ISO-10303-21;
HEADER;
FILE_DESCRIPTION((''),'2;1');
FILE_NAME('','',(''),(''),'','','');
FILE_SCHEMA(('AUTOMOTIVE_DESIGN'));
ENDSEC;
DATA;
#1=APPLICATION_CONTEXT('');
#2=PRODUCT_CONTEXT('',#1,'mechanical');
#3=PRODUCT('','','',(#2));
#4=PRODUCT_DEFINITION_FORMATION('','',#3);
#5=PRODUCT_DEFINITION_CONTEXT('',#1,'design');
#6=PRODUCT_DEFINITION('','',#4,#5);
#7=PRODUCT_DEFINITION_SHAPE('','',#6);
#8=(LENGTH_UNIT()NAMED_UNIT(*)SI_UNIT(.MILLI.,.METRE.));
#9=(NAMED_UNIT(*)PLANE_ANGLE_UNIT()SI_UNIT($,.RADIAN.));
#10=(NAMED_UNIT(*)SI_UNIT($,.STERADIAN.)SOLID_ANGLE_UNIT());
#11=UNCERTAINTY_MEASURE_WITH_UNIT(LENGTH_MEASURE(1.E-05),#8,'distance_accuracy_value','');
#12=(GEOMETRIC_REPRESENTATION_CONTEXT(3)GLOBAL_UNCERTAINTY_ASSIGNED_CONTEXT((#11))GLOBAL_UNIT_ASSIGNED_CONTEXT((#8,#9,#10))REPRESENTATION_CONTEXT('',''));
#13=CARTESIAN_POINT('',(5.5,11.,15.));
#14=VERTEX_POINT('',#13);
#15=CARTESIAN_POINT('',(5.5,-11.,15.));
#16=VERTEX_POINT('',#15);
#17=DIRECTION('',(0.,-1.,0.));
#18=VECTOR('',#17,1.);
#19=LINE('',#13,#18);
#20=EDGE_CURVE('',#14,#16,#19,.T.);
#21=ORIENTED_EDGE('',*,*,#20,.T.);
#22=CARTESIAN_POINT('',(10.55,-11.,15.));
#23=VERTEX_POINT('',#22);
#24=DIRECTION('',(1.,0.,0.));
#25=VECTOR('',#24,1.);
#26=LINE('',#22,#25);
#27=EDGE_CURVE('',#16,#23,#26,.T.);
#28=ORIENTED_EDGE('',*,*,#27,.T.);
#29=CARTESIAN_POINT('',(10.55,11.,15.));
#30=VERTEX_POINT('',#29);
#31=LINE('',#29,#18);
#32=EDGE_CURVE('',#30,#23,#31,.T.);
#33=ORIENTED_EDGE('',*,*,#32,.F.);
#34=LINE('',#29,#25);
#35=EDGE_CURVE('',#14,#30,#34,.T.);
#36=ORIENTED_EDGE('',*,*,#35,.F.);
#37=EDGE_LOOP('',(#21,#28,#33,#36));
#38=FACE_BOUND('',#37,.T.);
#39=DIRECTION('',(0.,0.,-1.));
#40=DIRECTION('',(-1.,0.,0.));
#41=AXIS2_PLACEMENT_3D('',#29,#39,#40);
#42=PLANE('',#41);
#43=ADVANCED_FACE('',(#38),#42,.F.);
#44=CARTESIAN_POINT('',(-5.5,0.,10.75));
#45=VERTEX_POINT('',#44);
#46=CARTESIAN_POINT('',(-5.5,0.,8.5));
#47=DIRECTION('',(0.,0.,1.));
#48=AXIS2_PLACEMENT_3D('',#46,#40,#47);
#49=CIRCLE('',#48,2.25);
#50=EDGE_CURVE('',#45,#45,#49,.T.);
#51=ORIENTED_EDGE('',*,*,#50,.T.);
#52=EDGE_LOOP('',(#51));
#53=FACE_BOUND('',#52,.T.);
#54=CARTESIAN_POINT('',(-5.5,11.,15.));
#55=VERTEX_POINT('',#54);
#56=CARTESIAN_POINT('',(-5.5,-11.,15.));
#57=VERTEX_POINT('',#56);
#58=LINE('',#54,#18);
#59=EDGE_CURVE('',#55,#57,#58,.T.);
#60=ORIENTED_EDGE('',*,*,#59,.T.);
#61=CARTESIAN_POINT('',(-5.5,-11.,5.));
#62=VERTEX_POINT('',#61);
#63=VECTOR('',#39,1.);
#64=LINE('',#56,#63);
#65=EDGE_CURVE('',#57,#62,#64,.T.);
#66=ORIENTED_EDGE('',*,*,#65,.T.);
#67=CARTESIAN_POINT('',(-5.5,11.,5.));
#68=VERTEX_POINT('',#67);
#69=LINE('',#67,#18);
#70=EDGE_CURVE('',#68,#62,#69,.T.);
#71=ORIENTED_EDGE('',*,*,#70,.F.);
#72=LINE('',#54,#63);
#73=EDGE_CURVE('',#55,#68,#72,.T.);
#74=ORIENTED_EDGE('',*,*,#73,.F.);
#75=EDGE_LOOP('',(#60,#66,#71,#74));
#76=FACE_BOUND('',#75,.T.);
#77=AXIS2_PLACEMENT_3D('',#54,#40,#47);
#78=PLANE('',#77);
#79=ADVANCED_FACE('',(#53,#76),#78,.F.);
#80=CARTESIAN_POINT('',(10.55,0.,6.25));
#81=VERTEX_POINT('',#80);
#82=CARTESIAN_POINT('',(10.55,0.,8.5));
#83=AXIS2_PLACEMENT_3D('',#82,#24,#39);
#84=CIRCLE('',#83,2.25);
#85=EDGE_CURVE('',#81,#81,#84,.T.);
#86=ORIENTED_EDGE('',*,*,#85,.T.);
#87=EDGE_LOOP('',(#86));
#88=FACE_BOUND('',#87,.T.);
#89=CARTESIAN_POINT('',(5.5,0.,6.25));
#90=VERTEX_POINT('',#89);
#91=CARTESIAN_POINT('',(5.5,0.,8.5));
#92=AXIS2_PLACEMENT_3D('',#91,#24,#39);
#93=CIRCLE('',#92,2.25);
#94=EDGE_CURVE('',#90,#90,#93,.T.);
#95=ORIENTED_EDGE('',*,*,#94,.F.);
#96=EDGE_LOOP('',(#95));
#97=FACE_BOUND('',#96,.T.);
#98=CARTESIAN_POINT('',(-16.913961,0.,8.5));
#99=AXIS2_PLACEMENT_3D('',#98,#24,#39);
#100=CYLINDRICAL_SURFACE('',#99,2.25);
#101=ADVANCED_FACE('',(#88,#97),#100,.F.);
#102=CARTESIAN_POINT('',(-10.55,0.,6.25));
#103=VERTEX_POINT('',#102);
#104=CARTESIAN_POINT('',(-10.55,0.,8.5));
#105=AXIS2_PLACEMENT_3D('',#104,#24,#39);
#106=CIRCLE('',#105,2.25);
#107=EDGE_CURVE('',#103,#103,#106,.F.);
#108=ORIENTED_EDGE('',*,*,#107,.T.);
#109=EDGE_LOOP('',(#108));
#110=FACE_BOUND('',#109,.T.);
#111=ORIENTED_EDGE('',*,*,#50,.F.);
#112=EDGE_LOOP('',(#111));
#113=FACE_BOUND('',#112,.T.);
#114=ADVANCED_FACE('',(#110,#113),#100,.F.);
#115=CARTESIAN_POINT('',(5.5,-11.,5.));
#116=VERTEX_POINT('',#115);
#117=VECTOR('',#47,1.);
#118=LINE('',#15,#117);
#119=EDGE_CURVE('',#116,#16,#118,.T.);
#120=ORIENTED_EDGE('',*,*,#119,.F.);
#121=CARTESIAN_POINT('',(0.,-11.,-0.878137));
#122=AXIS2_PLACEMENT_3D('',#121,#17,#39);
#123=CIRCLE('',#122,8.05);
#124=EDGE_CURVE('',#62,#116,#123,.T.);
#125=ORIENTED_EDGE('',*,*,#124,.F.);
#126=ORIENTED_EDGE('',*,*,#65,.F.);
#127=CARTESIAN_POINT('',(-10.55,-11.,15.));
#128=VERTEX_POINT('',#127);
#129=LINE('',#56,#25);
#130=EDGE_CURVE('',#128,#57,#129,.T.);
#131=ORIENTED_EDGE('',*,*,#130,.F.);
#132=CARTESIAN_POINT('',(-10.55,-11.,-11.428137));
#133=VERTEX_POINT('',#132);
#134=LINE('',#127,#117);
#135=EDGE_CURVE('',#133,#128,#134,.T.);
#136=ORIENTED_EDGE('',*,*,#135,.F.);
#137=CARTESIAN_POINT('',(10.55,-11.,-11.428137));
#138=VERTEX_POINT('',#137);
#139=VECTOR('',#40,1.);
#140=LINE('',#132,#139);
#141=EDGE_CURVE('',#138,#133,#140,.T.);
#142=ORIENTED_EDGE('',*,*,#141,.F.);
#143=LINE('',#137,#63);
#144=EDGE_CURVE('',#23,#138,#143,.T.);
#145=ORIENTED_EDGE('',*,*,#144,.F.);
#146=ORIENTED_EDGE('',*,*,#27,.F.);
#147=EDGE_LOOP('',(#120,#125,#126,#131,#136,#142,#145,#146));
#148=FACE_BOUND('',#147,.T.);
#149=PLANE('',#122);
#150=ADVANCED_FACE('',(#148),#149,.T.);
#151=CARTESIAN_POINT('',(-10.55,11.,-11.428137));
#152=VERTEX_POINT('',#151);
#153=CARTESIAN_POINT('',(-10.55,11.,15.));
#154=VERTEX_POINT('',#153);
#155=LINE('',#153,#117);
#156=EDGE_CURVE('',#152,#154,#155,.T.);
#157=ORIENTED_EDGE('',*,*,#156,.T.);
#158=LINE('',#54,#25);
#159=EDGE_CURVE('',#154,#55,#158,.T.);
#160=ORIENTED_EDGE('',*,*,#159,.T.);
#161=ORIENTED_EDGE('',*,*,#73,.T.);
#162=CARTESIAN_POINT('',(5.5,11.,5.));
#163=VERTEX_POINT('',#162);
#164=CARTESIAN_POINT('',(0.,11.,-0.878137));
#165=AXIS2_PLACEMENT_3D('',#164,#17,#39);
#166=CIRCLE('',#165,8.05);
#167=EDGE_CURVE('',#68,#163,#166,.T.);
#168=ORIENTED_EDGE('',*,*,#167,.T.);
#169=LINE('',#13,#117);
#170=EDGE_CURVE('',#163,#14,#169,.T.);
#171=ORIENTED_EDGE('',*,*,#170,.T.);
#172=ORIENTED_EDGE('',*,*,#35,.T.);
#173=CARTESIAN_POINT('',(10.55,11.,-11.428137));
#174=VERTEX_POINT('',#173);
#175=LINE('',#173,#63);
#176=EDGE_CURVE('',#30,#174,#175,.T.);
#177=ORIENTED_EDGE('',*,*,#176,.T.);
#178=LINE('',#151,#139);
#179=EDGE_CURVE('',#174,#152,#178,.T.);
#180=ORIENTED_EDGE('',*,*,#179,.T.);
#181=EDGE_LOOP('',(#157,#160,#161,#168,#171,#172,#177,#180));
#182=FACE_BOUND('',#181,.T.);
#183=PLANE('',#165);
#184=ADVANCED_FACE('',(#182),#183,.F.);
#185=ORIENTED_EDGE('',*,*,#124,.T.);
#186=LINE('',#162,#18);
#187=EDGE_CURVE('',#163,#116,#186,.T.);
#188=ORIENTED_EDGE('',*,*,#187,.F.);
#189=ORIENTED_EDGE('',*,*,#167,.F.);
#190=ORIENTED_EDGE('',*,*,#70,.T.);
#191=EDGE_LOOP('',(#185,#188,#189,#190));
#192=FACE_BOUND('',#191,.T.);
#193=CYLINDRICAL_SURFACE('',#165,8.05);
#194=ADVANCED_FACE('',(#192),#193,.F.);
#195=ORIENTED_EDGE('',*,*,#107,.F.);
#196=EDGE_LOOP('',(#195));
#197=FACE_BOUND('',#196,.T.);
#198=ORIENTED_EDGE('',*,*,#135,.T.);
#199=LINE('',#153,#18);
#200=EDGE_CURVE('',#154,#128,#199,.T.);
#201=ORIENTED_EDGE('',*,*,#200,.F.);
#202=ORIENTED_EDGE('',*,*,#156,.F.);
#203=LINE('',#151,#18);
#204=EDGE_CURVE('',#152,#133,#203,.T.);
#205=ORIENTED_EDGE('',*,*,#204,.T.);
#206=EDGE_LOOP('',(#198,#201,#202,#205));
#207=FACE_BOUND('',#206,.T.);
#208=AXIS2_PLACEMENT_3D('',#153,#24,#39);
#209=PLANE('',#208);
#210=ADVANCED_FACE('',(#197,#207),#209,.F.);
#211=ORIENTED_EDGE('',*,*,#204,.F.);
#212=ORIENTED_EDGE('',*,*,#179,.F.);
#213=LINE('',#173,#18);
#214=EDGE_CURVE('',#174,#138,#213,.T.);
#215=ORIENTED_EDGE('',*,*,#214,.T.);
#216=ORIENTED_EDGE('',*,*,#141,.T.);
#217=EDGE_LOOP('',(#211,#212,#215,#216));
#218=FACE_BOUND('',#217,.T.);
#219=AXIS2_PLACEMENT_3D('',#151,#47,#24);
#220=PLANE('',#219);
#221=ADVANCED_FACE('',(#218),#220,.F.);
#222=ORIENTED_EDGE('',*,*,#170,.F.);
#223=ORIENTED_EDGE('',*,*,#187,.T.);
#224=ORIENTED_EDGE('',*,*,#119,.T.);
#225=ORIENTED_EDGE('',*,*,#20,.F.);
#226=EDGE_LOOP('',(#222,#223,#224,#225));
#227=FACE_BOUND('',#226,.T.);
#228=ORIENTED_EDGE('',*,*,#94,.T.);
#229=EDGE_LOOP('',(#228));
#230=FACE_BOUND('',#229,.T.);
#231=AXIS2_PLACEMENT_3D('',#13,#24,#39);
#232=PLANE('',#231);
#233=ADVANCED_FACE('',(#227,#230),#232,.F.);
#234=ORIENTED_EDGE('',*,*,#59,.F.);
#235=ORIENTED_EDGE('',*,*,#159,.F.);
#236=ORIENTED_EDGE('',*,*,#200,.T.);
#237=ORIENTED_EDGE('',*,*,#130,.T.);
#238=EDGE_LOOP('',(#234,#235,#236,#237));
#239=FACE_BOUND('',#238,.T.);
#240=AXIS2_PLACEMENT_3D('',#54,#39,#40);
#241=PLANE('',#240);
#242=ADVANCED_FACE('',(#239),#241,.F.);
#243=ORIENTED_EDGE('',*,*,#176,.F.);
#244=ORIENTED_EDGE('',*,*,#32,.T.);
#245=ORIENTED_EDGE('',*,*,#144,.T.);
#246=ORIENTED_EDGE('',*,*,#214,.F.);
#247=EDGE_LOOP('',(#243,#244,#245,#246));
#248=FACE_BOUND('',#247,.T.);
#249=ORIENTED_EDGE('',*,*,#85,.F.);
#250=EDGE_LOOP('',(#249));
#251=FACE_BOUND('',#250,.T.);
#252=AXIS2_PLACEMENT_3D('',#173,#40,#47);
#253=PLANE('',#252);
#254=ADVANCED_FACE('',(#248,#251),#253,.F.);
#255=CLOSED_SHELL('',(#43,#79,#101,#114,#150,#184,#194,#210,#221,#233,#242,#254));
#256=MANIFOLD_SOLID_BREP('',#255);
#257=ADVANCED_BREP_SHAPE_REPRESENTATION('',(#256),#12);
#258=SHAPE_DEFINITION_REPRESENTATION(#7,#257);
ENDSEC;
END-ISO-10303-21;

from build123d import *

# Parameters (mm, degrees)
BOSS_EXTRUDE1_DEPTH = 11
CUT_EXTRUDE1_REACH  = 30.128
SKETCH2_R           = 2.25


with BuildPart() as part:
    # Sketch1 → Boss-Extrude1 (new, symmetric)
    with BuildSketch(Plane(origin=(0, 0, 0), x_dir=(1, 0, 0), z_dir=(0, 1, 0))):
        with BuildLine():
            Line((-5.5, -15), (-10.55, -15))
            Line((-10.55, -15), (-10.55, 11.42813746))
            Line((-10.55, 11.42813746), (10.55, 11.42813746))
            Line((10.55, 11.42813746), (10.55, -15))
            Line((10.55, -15), (5.5, -15))
            Line((5.5, -15), (5.5, -5))
            ThreePointArc((5.5, -5), (0, 8.92813746), (-5.5, -5))
            Line((-5.5, -5), (-5.5, -15))
        make_face()
    extrude(amount=BOSS_EXTRUDE1_DEPTH, both=True)

    # Cut-Extrude1: up to this face of the body (flat: up to its plane)
    cut_extrude1_end = Plane(part.part.faces().sort_by_distance((-10.55, 0, 1.78593127))[0])
    # Sketch2 → Cut-Extrude1 (cut, up to the picked face)
    with BuildSketch(Plane(origin=(10.55, 0, 0), x_dir=(0, 0, -1), z_dir=(1, 0, 0)), mode=Mode.PRIVATE) as cut_extrude1_sk1:
        with Locations((-8.5, 0)):
            Circle(SKETCH2_R)
    cut_extrude1_tool1 = split(extrude(cut_extrude1_sk1.sketch, amount=-CUT_EXTRUDE1_REACH, mode=Mode.PRIVATE), bisect_by=cut_extrude1_end, keep=Keep.BOTH, mode=Mode.PRIVATE)
    add(cut_extrude1_tool1.solids().sort_by(Axis((10.55, 0, 8.5), (-1, 0, 0)))[0], mode=Mode.SUBTRACT)


solid = part.part
